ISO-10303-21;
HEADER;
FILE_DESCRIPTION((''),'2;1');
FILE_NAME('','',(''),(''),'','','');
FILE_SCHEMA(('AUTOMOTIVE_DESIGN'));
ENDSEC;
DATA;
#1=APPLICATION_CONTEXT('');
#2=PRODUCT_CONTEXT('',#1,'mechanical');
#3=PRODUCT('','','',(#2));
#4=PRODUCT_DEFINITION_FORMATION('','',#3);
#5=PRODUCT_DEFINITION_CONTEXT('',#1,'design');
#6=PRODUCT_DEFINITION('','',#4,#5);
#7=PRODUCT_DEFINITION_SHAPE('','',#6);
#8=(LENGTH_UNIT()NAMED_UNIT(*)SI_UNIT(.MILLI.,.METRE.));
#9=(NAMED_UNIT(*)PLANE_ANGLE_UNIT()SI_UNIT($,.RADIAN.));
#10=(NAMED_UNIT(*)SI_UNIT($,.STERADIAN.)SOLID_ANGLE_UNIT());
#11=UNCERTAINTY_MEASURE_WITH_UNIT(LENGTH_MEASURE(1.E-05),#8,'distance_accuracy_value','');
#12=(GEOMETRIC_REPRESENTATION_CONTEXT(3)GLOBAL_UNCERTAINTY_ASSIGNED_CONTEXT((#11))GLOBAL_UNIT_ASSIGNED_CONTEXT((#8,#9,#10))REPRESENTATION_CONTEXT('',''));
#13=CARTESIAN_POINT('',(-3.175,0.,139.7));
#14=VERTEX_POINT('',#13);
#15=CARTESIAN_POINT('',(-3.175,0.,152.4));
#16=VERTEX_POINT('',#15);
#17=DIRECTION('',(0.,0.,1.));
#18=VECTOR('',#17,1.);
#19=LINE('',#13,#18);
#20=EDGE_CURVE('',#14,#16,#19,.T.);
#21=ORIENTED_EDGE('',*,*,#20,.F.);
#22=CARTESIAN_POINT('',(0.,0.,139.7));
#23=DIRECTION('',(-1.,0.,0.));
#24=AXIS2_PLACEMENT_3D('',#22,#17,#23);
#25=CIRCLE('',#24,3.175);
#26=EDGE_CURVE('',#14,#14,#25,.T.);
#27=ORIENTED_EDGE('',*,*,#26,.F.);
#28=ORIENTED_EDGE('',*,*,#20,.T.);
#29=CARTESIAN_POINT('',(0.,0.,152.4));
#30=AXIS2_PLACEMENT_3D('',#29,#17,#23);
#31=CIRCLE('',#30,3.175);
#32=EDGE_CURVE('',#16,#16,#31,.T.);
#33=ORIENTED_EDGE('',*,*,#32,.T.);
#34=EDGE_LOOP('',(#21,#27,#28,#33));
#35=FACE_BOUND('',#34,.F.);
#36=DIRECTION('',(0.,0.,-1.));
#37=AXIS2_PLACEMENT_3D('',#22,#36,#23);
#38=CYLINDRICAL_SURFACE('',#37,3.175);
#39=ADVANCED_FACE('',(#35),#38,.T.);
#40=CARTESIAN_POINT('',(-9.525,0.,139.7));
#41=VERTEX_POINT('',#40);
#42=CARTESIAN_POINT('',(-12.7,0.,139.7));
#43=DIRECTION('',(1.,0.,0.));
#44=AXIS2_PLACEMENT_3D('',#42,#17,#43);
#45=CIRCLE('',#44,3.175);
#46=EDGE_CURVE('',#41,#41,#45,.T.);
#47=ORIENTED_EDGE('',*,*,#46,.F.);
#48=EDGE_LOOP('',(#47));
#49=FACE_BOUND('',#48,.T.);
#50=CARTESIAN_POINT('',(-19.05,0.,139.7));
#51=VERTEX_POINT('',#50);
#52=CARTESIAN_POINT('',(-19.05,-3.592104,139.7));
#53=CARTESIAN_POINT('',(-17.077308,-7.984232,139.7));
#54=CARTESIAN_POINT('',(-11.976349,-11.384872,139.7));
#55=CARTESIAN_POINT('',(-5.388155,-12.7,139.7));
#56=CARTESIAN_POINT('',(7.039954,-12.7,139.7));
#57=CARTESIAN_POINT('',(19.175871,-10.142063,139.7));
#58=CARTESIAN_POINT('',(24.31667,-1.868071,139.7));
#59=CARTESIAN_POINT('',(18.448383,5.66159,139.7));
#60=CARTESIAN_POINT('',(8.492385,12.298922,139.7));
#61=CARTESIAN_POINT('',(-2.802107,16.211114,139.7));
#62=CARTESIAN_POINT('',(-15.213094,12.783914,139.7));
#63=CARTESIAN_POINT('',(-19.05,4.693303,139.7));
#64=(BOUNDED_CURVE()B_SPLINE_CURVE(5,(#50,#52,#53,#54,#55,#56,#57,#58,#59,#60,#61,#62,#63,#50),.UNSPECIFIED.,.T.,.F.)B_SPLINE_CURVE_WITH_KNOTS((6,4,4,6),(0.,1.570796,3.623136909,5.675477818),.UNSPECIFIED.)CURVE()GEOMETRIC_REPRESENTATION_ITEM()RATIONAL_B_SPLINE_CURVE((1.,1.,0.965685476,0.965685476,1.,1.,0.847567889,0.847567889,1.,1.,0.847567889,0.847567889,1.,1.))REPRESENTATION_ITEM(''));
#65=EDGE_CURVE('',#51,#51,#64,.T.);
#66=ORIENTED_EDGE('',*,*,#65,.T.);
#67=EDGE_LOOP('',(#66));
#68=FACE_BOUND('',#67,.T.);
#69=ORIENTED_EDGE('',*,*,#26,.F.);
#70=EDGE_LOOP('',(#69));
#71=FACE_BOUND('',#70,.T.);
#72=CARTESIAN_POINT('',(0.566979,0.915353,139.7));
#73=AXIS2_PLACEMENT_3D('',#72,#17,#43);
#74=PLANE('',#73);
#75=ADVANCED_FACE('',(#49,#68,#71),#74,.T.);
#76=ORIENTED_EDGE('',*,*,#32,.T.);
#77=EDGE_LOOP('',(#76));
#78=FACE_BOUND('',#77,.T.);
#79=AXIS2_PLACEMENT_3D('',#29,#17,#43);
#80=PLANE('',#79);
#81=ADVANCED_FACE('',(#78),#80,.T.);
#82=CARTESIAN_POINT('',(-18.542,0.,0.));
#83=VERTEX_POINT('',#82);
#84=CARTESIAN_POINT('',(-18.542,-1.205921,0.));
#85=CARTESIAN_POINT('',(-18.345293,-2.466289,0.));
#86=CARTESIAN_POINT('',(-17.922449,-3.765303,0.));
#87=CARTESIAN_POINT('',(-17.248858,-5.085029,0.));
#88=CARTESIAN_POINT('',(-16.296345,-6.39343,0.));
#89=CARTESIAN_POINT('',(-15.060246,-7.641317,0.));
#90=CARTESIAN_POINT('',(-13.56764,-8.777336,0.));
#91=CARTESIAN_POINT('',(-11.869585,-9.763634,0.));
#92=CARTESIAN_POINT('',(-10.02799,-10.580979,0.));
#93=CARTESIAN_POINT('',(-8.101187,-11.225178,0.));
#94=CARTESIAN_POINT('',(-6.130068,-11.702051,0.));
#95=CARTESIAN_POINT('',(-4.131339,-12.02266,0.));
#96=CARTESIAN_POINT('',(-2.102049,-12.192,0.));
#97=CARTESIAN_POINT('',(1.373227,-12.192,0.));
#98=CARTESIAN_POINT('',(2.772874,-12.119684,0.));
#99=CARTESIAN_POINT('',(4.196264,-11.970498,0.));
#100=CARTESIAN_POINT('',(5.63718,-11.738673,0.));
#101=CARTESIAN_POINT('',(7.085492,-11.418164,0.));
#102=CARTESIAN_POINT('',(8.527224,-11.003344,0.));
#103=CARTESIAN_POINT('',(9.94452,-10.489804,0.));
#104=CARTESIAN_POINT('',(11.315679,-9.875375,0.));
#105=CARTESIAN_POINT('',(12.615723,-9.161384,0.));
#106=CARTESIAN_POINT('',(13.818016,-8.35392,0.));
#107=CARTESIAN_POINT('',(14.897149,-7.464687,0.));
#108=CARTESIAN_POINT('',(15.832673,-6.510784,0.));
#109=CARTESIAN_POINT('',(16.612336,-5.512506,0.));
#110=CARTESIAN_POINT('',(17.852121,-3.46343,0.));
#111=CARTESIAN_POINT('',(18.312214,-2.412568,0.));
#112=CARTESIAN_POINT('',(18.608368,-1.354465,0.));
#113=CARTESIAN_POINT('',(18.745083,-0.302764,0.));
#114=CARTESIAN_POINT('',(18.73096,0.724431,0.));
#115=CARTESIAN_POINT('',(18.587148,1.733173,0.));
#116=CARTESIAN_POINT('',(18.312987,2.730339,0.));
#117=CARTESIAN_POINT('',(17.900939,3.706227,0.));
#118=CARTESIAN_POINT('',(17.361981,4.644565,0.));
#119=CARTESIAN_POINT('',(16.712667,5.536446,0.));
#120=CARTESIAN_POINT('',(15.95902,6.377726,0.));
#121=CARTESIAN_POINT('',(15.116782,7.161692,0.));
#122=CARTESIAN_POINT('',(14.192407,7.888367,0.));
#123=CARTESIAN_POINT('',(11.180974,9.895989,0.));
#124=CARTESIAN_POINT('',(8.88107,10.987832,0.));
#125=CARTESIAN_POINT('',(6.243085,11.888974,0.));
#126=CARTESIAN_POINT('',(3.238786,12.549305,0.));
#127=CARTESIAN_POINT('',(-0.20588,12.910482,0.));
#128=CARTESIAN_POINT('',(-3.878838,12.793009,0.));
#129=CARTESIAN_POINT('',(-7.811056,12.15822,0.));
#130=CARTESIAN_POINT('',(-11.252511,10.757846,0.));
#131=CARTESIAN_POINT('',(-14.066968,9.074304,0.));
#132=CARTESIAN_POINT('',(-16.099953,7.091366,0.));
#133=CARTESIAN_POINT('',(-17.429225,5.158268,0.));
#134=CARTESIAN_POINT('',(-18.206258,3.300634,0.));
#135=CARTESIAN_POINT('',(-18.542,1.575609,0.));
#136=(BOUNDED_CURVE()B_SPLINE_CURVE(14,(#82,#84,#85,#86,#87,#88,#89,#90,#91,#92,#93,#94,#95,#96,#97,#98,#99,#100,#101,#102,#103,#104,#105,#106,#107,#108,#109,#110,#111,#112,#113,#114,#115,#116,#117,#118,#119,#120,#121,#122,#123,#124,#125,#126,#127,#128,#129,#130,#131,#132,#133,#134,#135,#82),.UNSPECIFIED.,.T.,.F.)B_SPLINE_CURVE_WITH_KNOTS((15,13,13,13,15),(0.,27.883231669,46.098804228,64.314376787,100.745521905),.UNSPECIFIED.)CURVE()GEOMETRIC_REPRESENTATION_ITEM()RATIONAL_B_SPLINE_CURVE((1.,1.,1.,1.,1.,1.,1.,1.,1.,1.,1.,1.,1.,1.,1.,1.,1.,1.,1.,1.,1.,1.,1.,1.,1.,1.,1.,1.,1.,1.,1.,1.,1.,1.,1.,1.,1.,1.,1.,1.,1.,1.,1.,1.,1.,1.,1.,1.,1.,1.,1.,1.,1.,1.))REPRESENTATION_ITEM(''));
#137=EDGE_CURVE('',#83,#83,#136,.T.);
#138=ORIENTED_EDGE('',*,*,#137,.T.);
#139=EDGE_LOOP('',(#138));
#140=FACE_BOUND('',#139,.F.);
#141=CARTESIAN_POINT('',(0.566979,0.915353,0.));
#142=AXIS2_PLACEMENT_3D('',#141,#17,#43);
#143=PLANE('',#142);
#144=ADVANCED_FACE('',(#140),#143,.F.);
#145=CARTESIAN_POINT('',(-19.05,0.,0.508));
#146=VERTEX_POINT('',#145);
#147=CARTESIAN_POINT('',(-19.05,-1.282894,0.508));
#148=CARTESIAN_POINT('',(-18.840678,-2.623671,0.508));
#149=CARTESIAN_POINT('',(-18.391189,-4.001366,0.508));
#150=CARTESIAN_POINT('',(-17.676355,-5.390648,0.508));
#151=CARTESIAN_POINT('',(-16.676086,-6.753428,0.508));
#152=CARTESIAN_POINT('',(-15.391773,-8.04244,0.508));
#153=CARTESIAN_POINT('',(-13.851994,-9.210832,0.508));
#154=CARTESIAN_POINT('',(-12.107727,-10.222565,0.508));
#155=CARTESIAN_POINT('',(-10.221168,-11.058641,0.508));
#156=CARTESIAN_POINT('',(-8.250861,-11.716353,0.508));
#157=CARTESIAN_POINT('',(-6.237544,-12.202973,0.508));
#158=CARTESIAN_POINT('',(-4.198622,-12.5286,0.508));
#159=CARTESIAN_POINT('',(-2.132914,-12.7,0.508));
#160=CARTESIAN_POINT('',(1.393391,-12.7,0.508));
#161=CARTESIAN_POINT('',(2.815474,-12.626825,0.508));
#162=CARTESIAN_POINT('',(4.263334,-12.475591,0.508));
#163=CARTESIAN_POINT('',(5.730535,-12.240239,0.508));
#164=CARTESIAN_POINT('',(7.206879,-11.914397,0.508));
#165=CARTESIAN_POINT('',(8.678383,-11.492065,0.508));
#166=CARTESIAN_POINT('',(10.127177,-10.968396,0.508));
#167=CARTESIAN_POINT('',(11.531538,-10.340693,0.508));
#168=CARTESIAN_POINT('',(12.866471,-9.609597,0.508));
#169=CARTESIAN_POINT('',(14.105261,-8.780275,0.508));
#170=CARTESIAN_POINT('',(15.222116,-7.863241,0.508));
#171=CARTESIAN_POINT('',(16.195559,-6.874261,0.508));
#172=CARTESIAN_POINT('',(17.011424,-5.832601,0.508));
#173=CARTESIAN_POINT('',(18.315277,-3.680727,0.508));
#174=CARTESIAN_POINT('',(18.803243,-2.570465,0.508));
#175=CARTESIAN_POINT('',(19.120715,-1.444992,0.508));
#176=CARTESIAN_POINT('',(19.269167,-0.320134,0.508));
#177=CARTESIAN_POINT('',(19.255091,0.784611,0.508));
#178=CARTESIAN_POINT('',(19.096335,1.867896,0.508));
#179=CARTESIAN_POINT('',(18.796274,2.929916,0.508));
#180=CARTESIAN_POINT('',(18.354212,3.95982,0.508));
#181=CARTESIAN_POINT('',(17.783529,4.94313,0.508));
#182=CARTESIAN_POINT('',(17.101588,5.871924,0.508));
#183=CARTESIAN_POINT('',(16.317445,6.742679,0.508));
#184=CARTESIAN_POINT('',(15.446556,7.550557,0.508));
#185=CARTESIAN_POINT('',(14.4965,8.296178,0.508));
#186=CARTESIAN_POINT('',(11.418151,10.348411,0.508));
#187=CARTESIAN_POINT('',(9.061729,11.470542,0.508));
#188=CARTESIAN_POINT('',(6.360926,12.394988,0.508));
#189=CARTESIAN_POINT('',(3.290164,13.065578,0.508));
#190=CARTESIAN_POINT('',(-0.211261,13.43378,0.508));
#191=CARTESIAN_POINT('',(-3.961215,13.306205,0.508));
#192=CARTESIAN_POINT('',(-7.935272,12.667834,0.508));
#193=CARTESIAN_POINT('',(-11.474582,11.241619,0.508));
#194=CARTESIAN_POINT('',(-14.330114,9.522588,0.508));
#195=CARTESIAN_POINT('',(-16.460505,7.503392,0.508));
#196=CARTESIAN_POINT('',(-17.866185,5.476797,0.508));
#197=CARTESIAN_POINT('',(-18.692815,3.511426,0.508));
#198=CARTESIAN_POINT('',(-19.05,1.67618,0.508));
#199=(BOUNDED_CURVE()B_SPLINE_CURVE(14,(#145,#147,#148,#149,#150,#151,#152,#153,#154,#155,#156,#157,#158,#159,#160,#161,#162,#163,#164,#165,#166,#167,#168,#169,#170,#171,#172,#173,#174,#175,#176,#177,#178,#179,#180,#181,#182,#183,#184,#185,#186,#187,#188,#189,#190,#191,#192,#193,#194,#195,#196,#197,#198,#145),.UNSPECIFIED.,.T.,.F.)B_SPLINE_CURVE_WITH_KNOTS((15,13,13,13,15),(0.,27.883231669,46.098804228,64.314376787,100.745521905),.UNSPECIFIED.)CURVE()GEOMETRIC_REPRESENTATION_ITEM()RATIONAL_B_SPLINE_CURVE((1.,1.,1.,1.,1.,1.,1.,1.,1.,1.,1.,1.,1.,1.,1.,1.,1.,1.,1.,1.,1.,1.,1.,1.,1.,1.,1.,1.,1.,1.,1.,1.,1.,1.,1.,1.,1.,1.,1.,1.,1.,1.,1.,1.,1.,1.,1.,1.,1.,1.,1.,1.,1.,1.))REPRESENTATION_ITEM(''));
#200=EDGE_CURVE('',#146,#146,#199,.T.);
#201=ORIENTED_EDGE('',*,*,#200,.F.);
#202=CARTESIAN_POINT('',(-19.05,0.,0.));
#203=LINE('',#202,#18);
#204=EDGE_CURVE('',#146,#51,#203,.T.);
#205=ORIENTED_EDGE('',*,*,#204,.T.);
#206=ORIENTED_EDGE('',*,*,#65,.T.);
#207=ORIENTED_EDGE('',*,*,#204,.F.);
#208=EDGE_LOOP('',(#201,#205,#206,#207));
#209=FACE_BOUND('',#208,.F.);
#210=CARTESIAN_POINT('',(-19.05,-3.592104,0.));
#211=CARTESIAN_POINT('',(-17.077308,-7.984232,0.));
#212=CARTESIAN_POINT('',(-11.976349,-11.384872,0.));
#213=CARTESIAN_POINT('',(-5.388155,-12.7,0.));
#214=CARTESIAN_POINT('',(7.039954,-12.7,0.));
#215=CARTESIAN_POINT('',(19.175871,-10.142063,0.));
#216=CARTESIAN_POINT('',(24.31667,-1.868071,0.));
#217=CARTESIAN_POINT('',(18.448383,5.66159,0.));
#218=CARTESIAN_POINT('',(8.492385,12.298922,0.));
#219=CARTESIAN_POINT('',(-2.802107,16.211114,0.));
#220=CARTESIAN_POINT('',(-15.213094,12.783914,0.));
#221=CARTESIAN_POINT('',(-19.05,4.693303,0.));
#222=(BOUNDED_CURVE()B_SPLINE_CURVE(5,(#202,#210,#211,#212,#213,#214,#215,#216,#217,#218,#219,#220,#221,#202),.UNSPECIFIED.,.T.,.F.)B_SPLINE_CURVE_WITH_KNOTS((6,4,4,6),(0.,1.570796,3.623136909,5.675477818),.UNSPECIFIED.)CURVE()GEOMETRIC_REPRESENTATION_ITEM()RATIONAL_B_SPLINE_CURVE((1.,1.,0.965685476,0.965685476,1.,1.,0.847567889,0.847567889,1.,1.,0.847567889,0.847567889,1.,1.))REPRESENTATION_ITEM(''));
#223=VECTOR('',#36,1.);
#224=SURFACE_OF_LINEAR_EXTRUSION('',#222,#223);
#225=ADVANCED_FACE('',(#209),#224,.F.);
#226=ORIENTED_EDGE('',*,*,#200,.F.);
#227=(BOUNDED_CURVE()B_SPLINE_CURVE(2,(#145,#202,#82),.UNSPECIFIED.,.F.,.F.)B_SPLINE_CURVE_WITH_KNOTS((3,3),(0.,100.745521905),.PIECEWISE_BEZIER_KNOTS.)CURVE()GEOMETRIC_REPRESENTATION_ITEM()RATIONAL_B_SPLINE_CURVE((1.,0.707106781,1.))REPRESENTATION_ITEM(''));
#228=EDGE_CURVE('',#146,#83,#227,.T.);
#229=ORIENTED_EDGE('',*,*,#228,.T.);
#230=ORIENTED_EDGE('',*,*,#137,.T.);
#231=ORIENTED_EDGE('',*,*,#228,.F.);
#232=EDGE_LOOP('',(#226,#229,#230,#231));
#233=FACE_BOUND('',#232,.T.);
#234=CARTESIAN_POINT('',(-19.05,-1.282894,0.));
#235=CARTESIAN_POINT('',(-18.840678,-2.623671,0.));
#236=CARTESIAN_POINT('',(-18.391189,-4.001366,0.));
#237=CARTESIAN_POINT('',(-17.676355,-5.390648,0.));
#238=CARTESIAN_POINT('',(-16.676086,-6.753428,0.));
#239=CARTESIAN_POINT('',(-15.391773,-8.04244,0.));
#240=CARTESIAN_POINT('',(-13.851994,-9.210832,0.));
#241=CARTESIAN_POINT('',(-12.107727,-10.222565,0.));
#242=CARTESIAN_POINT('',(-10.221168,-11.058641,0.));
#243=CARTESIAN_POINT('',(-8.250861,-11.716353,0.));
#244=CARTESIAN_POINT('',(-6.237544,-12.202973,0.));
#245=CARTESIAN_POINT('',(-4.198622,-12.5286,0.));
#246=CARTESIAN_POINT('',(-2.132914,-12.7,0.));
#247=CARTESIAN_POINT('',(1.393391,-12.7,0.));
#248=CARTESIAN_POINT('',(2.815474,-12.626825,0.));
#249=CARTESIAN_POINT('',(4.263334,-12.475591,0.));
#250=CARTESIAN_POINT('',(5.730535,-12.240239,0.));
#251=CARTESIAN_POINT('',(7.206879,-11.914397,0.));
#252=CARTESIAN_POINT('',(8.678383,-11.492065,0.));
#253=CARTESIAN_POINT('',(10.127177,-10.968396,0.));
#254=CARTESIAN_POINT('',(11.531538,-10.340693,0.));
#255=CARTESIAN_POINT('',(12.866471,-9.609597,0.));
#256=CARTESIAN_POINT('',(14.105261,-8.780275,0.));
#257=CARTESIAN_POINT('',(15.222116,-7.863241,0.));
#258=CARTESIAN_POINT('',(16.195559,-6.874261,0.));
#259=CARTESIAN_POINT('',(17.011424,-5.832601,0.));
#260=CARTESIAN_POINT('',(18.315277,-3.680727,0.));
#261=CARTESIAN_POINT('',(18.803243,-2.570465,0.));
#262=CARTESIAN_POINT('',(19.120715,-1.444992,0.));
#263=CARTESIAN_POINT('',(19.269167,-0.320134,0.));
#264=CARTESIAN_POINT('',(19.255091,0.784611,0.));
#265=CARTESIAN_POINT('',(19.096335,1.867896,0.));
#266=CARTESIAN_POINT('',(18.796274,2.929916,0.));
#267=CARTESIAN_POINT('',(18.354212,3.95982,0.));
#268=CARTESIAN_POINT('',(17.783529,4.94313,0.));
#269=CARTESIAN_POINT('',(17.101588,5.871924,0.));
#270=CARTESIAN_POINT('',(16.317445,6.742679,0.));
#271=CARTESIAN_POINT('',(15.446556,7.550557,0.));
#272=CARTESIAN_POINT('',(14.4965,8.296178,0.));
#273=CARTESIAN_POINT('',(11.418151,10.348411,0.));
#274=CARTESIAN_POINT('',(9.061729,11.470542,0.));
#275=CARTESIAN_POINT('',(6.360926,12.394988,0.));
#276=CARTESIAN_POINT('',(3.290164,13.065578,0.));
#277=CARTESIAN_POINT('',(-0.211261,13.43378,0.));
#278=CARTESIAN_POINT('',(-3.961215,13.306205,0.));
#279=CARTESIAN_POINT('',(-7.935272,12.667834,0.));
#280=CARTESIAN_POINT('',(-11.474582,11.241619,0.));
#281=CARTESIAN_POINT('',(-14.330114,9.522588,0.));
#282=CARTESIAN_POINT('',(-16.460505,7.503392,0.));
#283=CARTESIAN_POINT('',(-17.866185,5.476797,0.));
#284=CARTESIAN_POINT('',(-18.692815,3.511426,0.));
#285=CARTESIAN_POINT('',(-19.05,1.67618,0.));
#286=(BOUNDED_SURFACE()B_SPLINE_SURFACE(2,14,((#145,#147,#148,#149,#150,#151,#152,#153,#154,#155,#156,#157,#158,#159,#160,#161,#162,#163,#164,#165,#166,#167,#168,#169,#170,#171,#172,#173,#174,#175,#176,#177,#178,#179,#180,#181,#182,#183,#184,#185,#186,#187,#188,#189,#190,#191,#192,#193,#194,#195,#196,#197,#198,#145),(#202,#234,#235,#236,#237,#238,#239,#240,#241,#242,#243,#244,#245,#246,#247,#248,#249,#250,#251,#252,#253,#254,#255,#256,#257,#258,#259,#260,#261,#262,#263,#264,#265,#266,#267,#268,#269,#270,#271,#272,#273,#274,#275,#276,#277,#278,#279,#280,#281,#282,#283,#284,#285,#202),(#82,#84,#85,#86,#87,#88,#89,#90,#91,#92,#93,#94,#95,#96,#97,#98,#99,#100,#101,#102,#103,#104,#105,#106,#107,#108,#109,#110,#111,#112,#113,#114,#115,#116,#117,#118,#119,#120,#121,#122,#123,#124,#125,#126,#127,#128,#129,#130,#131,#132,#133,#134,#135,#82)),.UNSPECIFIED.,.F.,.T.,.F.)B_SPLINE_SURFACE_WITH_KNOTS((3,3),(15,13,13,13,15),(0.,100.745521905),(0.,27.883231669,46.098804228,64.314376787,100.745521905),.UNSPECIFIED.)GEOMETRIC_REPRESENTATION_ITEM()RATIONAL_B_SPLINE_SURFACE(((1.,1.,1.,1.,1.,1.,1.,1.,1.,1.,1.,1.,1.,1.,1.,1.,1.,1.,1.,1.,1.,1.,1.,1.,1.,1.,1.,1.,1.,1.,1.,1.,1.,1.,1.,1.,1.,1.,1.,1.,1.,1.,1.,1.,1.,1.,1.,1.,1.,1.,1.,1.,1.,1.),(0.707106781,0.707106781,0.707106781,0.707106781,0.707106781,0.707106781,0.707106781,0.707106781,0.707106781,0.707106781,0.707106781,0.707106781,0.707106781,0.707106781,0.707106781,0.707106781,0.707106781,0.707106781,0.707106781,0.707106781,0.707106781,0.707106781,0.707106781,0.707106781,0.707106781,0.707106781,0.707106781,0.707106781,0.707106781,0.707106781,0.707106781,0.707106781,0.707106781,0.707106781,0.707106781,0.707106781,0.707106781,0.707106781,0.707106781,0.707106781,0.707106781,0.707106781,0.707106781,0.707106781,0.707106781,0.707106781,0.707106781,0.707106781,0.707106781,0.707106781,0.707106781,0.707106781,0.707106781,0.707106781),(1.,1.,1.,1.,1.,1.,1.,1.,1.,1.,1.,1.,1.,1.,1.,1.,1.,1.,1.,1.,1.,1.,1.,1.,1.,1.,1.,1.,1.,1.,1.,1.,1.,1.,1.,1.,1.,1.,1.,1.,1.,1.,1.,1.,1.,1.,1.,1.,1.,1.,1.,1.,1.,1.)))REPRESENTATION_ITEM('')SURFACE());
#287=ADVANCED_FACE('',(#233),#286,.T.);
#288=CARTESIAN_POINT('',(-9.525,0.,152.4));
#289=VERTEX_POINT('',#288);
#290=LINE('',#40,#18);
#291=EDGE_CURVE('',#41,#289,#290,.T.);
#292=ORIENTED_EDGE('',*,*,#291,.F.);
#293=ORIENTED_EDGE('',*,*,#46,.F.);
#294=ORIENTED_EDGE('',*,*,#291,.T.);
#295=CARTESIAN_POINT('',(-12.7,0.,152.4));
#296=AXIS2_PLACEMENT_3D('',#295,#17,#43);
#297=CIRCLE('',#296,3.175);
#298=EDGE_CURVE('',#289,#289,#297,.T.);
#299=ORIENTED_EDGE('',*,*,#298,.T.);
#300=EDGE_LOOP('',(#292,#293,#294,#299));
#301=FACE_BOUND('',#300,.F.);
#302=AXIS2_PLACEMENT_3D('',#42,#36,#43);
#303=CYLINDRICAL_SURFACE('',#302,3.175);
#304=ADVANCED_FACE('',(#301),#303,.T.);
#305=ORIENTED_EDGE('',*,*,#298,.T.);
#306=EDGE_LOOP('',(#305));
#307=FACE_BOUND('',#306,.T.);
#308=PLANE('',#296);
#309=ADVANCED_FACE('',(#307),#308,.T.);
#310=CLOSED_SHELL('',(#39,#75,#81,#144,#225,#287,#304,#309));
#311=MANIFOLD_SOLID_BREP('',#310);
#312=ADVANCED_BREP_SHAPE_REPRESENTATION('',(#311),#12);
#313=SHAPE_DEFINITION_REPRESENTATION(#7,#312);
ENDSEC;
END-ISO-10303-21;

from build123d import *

# Parameters (mm, degrees)
F1_DEPTH = 139.7
F2_R     = 3.175
F3_DEPTH = 12.7
F4_R     = 0.508


with BuildPart() as f1:
    # F0 (on Top) → F1 (new body)
    with BuildSketch(Plane.XY):
        with BuildLine():
            Line((-19.05, 0), (0, 0))
            Line((0, 0), (0, -12.7))
            add(Edge.make_bspline(
                [(0, -12.7), (45.990768, -12.7), (13.470384, 8.980256), (-19.05, 30.660512), (-19.05, 0)],
                knots=[1.570796, 1.570796, 1.570796, 3.926991, 3.926991, 6.283185, 6.283185, 6.283185], degree=2, weights=[1, 0.382683, 1, 0.382683, 1]))
        make_face()
        with BuildLine():
            Line((0, -12.7), (0, 0))
            Line((0, 0), (-19.05, 0))
            add(Edge.make_bspline(
                [(-19.05, 0), (-19.05, -12.7), (0, -12.7)],
                knots=[0, 0, 0, 1.570796, 1.570796, 1.570796], degree=2, weights=[1, 0.707107, 1]))
        make_face()
    extrude(amount=F1_DEPTH)

    # F2 (on face) → F3 (join)
    with BuildSketch(Plane.XY.offset(139.7)):
        with Locations((-12.7, 0)):
            Circle(F2_R)
        with BuildLine():
            ThreePointArc((3.175, 0), (0, 3.175), (-3.175, 0))
            ThreePointArc((-3.175, 0), (0, -3.175), (3.175, 0))
        make_face()
    extrude(amount=F3_DEPTH)

    # F4
    f4_edges = [f1.edges().sort_by_distance(p)[0] for p in [
        (12.122034, 9.797024, 0),
    ]]
    fillet(f4_edges, radius=F4_R)


solid = f1.part
